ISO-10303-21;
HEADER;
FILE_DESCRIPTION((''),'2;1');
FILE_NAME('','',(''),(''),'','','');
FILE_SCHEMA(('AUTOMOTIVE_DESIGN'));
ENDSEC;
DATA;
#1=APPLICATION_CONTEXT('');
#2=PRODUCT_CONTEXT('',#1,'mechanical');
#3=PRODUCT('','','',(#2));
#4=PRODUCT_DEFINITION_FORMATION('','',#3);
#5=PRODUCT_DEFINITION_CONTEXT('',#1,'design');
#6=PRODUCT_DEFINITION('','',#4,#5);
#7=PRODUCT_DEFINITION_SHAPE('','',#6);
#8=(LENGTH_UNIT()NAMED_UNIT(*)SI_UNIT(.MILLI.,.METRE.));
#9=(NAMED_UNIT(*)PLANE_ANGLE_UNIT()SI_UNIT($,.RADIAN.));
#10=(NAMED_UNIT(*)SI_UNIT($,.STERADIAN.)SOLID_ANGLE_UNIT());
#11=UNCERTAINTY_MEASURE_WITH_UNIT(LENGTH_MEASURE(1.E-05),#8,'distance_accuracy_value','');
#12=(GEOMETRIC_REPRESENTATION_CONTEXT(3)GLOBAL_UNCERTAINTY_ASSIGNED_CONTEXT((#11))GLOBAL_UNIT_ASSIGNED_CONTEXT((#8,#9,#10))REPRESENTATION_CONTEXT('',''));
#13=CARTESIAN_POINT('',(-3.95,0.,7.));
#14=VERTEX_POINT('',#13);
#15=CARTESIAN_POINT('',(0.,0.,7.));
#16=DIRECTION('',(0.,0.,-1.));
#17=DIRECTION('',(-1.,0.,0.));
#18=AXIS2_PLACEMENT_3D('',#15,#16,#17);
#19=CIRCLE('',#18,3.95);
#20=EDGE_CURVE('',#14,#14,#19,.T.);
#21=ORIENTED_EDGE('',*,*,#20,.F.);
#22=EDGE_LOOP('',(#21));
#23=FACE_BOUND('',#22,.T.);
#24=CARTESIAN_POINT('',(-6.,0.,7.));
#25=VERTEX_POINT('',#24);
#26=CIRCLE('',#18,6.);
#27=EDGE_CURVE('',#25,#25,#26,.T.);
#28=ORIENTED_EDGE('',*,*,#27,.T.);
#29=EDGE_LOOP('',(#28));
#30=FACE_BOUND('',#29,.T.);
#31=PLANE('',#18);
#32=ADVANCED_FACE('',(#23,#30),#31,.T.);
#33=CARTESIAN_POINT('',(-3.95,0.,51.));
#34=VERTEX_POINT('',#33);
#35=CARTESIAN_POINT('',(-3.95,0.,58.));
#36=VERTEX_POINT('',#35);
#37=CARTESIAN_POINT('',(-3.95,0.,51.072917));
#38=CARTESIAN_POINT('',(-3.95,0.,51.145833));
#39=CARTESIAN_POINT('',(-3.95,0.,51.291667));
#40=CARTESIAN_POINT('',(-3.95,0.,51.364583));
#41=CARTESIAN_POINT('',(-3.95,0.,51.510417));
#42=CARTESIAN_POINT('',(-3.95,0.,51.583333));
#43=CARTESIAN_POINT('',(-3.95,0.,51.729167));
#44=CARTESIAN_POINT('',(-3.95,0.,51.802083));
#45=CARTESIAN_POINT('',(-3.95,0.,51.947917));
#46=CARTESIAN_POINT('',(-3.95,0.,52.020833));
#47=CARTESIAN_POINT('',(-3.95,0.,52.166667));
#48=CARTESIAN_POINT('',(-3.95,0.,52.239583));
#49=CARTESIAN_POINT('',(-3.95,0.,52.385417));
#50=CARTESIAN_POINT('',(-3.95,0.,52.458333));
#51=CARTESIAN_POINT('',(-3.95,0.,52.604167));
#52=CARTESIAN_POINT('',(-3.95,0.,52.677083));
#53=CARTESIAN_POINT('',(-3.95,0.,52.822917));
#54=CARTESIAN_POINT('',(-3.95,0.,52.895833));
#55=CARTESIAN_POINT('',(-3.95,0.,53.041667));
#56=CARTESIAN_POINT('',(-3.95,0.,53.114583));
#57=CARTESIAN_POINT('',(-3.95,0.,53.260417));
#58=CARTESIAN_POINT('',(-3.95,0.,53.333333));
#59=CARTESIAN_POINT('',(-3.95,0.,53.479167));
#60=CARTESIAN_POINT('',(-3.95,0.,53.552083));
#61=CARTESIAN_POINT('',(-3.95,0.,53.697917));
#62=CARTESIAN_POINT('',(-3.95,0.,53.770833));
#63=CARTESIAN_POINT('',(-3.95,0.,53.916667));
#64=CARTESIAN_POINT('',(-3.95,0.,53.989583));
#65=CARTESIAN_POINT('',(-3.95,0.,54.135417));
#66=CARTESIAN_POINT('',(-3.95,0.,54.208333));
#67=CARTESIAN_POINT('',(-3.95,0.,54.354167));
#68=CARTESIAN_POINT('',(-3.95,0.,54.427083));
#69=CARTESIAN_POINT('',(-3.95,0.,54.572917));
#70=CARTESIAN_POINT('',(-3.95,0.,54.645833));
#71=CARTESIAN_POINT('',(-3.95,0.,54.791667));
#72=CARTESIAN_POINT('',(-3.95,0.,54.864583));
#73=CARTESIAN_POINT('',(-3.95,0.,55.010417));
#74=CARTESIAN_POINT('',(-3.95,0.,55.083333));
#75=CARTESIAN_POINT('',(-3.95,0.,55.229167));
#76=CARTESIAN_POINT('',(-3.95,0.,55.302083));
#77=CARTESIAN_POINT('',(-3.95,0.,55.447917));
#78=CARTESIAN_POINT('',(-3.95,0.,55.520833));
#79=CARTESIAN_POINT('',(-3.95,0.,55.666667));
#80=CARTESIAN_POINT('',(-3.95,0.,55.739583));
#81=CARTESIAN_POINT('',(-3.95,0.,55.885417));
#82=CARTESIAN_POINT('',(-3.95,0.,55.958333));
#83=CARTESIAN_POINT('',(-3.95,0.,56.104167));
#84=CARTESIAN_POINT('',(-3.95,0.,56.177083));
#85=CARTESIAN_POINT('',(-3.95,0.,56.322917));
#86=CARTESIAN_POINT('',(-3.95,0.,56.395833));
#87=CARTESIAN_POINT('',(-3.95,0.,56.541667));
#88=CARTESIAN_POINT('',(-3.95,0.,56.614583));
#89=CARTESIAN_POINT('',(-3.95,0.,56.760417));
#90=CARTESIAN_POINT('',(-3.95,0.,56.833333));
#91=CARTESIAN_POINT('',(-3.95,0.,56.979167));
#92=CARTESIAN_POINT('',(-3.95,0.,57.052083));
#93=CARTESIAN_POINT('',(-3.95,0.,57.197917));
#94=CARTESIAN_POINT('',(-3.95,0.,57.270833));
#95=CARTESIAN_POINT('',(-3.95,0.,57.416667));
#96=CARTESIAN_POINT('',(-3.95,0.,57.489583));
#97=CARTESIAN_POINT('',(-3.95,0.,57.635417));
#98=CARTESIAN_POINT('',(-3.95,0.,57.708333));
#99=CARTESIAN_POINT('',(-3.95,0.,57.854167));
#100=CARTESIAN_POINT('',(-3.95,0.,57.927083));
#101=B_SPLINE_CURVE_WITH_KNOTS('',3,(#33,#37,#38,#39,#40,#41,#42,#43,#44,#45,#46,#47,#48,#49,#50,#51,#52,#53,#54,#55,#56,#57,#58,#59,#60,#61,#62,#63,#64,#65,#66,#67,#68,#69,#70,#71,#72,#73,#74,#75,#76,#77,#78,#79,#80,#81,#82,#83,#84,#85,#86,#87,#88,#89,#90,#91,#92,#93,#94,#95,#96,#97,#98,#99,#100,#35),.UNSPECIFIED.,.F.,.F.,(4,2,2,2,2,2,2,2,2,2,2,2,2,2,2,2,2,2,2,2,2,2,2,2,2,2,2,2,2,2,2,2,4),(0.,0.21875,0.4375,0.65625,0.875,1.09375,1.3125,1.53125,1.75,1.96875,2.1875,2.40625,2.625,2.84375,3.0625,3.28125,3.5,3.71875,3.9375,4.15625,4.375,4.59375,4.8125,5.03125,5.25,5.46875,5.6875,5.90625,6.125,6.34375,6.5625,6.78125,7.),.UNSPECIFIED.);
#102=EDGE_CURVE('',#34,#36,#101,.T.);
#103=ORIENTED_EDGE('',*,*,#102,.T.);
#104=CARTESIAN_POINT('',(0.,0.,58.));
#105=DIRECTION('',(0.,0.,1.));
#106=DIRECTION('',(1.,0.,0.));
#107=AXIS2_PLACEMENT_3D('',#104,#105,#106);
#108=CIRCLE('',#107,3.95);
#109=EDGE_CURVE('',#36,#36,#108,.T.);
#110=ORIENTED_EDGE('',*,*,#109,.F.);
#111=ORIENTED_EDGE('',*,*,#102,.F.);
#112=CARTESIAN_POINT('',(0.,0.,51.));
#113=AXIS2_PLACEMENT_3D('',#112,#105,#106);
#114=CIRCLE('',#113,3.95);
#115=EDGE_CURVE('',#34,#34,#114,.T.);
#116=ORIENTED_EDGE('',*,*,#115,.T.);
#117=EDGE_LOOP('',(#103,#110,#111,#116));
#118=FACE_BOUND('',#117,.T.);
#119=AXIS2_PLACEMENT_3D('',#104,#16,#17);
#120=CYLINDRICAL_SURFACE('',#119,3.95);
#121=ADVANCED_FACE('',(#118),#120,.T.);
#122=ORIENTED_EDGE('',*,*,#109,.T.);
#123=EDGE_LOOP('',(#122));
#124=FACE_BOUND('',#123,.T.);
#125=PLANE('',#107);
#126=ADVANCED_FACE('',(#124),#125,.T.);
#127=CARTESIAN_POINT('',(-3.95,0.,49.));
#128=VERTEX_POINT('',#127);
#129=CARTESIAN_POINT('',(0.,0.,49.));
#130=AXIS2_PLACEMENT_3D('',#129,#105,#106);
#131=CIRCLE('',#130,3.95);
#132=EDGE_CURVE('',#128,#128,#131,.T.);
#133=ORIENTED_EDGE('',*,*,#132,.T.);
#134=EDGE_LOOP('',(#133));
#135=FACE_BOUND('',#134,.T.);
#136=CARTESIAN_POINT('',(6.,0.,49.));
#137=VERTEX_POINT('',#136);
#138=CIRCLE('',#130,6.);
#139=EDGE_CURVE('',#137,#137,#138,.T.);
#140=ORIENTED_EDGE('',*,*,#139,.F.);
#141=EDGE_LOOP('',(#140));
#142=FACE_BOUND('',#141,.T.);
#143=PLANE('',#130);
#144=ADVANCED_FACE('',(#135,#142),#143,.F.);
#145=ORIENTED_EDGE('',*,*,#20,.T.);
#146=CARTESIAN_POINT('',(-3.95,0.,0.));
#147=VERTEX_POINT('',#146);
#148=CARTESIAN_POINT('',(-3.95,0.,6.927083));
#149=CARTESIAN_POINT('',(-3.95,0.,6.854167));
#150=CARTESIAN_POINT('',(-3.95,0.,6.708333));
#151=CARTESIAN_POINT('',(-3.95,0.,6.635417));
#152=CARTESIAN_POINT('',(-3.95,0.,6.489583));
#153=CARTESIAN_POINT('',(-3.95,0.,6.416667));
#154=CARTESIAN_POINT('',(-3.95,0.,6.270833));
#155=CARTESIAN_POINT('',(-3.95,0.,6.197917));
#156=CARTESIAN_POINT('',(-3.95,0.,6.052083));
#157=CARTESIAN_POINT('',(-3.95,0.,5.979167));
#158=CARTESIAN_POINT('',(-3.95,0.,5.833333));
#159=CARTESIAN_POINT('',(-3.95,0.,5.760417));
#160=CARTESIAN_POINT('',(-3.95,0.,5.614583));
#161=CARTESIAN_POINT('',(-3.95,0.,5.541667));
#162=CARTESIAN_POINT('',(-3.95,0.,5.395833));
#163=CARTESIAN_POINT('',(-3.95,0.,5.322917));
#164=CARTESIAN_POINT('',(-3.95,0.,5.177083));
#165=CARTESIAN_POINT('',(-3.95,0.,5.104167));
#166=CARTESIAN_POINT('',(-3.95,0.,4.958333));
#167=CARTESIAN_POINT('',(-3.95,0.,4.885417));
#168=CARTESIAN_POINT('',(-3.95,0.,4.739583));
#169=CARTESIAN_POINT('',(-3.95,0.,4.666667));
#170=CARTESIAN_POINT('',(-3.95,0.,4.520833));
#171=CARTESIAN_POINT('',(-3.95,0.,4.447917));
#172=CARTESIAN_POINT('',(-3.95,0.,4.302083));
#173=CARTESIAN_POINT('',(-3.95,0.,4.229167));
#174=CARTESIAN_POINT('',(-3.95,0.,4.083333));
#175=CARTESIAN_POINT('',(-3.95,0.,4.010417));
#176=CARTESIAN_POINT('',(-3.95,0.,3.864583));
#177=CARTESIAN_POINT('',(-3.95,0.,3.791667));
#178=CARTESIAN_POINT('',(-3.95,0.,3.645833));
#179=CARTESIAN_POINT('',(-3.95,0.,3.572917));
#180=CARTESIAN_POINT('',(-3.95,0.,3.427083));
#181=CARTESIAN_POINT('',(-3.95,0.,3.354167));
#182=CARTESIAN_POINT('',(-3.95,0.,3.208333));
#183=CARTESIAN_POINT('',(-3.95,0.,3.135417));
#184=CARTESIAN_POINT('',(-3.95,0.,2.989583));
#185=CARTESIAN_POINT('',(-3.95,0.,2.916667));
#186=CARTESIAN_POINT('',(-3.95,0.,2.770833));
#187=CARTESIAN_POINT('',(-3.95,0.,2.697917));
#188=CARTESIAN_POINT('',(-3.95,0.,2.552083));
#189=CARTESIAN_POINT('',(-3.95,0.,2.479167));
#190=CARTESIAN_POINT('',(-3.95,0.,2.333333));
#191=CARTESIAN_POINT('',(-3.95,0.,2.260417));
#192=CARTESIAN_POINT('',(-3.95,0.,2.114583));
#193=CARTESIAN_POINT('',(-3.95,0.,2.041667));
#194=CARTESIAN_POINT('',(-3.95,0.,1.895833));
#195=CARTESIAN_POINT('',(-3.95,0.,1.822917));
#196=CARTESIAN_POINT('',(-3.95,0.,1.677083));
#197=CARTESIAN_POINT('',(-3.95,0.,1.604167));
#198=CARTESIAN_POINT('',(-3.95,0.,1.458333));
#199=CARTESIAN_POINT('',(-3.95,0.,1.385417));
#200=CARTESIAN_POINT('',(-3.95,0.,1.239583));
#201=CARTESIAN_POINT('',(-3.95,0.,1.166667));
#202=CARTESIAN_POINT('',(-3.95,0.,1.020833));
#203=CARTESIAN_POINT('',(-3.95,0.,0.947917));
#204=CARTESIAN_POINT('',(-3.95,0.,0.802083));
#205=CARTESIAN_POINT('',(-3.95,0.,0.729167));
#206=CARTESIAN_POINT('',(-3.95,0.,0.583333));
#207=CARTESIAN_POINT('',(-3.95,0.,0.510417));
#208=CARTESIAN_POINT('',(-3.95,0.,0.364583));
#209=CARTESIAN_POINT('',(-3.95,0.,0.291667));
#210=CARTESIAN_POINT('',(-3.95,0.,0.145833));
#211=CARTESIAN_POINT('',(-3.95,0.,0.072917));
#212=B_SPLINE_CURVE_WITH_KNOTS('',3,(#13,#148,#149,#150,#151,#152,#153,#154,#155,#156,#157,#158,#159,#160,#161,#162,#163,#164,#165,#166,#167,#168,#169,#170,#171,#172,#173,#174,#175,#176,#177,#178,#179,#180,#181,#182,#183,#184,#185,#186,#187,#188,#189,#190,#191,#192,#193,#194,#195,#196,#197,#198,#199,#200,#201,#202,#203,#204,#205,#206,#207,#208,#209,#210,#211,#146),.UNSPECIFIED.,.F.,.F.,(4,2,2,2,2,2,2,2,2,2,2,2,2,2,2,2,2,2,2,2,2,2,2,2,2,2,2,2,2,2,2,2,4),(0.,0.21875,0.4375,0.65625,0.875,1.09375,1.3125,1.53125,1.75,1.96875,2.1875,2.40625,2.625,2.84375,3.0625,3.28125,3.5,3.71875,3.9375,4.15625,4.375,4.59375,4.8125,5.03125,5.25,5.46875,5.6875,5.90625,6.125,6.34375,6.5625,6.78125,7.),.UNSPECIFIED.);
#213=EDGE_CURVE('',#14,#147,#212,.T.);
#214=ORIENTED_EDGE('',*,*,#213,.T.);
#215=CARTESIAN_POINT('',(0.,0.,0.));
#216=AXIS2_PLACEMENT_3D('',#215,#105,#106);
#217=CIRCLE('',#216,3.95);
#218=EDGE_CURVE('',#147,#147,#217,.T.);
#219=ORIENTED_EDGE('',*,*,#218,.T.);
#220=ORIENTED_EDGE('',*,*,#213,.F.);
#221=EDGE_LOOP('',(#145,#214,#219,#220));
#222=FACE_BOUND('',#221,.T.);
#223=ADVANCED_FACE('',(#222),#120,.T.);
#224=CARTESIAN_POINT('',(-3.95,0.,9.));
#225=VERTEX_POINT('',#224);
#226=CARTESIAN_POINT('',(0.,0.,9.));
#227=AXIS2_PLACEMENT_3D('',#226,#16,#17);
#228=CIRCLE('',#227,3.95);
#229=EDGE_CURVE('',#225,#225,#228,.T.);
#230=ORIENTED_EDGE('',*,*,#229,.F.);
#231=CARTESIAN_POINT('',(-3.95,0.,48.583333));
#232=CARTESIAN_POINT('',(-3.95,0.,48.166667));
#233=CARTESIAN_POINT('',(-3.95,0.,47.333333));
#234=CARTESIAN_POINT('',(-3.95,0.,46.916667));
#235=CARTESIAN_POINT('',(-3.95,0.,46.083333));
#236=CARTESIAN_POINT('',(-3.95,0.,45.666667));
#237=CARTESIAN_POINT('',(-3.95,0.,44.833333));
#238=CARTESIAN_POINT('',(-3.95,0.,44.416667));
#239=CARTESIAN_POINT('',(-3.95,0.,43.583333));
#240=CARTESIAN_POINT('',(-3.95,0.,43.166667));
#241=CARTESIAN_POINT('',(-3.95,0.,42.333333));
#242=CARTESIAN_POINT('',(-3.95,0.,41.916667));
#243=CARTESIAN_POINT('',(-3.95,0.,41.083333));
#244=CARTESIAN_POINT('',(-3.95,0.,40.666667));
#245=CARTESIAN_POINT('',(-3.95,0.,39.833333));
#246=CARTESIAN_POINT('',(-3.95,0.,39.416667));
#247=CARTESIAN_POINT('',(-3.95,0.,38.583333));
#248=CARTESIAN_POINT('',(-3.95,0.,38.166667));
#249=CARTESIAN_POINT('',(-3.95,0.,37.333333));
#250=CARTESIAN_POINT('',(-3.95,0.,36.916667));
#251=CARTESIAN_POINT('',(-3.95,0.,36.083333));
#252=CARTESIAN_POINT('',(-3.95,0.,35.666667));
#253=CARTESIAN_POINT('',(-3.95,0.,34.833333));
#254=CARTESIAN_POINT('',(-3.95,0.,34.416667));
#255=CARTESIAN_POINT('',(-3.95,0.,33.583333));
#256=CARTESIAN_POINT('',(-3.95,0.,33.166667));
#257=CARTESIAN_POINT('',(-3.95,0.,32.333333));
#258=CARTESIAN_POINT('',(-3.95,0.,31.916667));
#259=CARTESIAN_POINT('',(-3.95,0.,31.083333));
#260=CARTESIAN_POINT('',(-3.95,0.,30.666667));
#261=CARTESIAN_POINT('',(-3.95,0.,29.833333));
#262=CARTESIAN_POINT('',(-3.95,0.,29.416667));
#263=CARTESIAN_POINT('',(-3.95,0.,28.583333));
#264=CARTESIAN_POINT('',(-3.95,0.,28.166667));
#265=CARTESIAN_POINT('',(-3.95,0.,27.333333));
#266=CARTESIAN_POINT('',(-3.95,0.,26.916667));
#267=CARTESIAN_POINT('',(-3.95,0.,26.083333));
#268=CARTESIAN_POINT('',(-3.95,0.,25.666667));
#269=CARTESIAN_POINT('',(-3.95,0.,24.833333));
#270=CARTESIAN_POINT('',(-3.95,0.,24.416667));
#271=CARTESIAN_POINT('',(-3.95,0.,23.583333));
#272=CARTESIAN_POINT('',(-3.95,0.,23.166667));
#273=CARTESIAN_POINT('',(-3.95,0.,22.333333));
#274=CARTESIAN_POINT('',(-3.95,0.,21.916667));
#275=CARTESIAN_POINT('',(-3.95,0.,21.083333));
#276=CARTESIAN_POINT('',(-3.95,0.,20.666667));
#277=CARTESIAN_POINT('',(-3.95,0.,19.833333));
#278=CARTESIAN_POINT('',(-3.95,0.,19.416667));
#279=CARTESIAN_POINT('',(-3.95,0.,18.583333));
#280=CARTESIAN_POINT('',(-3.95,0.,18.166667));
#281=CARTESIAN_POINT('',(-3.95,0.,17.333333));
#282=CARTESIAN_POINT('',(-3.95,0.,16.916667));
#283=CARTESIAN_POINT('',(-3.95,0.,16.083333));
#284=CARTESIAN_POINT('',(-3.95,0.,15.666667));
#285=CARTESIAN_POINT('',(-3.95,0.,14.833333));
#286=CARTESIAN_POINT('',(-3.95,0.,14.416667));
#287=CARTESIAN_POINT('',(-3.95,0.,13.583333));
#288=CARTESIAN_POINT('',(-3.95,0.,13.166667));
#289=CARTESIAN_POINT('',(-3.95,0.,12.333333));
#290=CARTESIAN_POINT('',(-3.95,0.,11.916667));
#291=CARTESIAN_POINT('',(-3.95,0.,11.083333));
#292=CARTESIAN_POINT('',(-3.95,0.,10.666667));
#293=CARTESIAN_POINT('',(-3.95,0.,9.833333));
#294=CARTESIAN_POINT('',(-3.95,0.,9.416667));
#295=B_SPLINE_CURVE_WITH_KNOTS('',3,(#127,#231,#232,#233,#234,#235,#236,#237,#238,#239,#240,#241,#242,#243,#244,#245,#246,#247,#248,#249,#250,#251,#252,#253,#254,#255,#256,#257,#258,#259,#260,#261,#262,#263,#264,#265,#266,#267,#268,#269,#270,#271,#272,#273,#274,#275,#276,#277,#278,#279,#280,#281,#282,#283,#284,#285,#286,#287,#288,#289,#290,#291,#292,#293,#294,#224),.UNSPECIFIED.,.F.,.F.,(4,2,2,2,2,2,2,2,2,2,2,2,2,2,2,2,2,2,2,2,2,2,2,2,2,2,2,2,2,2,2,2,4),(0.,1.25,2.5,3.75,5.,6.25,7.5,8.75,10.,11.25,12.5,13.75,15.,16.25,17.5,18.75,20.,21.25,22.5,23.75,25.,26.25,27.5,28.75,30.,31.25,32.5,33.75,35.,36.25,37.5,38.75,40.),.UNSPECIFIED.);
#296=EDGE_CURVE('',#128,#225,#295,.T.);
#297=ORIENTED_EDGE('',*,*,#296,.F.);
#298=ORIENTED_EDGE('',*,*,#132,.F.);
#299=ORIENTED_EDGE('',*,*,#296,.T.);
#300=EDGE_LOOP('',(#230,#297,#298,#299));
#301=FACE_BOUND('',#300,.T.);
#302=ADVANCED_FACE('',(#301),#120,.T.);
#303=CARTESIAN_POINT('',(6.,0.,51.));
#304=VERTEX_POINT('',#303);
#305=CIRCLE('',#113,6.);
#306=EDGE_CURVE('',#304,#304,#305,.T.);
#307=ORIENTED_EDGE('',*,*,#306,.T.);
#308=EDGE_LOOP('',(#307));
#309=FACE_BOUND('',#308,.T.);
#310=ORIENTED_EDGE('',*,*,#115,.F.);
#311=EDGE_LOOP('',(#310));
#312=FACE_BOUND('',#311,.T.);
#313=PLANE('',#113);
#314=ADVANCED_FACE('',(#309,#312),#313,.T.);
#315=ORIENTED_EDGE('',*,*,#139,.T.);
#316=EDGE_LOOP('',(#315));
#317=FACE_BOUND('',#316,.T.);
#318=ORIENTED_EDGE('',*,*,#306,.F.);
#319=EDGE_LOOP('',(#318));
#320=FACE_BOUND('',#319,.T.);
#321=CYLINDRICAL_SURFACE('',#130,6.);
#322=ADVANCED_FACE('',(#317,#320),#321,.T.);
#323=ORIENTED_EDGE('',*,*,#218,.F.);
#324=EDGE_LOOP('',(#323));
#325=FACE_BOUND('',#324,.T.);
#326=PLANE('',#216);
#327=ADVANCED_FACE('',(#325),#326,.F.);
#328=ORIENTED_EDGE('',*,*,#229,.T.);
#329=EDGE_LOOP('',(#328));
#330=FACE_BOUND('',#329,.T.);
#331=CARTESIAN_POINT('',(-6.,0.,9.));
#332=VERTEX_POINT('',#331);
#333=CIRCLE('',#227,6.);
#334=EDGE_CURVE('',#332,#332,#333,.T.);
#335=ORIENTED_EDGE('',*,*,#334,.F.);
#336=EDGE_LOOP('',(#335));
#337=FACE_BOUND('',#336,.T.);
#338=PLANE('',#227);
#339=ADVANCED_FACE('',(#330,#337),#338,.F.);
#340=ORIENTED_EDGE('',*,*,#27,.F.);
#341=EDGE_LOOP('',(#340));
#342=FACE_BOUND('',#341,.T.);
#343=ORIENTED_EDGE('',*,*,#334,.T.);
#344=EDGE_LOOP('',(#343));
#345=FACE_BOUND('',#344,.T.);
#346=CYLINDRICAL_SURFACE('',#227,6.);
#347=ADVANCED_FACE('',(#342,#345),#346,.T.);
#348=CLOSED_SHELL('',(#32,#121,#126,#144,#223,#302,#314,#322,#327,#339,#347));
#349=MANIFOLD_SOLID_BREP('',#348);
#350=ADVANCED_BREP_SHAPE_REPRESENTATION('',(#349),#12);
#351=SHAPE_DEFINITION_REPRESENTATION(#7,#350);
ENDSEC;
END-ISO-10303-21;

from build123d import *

# Parameters (mm, degrees)
SKETCH1_R           = 3.95
BOSS_EXTRUDE1_DEPTH = 58
SKETCH2_R           = 6
BOSS_EXTRUDE2_DEPTH = 2
BOSS_EXTRUDE3_START = -2
SKETCH3_R           = 6
BOSS_EXTRUDE3_DEPTH = 2


with BuildPart() as part:
    # Sketch1 → Boss-Extrude1 (new body)
    with BuildSketch(Plane.XY):
        with Locations(Location((0, 0, 0), (0, 0, 180))):
            Circle(SKETCH1_R)
    extrude(amount=BOSS_EXTRUDE1_DEPTH)

    # Sketch2 → Boss-Extrude2 (add)
    with BuildSketch(Plane.XY.offset(51)):
        Circle(SKETCH2_R)
    extrude(amount=-BOSS_EXTRUDE2_DEPTH)

    # Sketch3 → Boss-Extrude3 (add)
    with BuildSketch(Plane(origin=(0, 0, 7), x_dir=(-1, 0, 0), z_dir=(0, 0, -1)).offset(BOSS_EXTRUDE3_START)):
        with Locations(Location((0, 0, 0), (0, 0, 180))):
            Circle(SKETCH3_R)
    extrude(amount=BOSS_EXTRUDE3_DEPTH)


solid = part.part
